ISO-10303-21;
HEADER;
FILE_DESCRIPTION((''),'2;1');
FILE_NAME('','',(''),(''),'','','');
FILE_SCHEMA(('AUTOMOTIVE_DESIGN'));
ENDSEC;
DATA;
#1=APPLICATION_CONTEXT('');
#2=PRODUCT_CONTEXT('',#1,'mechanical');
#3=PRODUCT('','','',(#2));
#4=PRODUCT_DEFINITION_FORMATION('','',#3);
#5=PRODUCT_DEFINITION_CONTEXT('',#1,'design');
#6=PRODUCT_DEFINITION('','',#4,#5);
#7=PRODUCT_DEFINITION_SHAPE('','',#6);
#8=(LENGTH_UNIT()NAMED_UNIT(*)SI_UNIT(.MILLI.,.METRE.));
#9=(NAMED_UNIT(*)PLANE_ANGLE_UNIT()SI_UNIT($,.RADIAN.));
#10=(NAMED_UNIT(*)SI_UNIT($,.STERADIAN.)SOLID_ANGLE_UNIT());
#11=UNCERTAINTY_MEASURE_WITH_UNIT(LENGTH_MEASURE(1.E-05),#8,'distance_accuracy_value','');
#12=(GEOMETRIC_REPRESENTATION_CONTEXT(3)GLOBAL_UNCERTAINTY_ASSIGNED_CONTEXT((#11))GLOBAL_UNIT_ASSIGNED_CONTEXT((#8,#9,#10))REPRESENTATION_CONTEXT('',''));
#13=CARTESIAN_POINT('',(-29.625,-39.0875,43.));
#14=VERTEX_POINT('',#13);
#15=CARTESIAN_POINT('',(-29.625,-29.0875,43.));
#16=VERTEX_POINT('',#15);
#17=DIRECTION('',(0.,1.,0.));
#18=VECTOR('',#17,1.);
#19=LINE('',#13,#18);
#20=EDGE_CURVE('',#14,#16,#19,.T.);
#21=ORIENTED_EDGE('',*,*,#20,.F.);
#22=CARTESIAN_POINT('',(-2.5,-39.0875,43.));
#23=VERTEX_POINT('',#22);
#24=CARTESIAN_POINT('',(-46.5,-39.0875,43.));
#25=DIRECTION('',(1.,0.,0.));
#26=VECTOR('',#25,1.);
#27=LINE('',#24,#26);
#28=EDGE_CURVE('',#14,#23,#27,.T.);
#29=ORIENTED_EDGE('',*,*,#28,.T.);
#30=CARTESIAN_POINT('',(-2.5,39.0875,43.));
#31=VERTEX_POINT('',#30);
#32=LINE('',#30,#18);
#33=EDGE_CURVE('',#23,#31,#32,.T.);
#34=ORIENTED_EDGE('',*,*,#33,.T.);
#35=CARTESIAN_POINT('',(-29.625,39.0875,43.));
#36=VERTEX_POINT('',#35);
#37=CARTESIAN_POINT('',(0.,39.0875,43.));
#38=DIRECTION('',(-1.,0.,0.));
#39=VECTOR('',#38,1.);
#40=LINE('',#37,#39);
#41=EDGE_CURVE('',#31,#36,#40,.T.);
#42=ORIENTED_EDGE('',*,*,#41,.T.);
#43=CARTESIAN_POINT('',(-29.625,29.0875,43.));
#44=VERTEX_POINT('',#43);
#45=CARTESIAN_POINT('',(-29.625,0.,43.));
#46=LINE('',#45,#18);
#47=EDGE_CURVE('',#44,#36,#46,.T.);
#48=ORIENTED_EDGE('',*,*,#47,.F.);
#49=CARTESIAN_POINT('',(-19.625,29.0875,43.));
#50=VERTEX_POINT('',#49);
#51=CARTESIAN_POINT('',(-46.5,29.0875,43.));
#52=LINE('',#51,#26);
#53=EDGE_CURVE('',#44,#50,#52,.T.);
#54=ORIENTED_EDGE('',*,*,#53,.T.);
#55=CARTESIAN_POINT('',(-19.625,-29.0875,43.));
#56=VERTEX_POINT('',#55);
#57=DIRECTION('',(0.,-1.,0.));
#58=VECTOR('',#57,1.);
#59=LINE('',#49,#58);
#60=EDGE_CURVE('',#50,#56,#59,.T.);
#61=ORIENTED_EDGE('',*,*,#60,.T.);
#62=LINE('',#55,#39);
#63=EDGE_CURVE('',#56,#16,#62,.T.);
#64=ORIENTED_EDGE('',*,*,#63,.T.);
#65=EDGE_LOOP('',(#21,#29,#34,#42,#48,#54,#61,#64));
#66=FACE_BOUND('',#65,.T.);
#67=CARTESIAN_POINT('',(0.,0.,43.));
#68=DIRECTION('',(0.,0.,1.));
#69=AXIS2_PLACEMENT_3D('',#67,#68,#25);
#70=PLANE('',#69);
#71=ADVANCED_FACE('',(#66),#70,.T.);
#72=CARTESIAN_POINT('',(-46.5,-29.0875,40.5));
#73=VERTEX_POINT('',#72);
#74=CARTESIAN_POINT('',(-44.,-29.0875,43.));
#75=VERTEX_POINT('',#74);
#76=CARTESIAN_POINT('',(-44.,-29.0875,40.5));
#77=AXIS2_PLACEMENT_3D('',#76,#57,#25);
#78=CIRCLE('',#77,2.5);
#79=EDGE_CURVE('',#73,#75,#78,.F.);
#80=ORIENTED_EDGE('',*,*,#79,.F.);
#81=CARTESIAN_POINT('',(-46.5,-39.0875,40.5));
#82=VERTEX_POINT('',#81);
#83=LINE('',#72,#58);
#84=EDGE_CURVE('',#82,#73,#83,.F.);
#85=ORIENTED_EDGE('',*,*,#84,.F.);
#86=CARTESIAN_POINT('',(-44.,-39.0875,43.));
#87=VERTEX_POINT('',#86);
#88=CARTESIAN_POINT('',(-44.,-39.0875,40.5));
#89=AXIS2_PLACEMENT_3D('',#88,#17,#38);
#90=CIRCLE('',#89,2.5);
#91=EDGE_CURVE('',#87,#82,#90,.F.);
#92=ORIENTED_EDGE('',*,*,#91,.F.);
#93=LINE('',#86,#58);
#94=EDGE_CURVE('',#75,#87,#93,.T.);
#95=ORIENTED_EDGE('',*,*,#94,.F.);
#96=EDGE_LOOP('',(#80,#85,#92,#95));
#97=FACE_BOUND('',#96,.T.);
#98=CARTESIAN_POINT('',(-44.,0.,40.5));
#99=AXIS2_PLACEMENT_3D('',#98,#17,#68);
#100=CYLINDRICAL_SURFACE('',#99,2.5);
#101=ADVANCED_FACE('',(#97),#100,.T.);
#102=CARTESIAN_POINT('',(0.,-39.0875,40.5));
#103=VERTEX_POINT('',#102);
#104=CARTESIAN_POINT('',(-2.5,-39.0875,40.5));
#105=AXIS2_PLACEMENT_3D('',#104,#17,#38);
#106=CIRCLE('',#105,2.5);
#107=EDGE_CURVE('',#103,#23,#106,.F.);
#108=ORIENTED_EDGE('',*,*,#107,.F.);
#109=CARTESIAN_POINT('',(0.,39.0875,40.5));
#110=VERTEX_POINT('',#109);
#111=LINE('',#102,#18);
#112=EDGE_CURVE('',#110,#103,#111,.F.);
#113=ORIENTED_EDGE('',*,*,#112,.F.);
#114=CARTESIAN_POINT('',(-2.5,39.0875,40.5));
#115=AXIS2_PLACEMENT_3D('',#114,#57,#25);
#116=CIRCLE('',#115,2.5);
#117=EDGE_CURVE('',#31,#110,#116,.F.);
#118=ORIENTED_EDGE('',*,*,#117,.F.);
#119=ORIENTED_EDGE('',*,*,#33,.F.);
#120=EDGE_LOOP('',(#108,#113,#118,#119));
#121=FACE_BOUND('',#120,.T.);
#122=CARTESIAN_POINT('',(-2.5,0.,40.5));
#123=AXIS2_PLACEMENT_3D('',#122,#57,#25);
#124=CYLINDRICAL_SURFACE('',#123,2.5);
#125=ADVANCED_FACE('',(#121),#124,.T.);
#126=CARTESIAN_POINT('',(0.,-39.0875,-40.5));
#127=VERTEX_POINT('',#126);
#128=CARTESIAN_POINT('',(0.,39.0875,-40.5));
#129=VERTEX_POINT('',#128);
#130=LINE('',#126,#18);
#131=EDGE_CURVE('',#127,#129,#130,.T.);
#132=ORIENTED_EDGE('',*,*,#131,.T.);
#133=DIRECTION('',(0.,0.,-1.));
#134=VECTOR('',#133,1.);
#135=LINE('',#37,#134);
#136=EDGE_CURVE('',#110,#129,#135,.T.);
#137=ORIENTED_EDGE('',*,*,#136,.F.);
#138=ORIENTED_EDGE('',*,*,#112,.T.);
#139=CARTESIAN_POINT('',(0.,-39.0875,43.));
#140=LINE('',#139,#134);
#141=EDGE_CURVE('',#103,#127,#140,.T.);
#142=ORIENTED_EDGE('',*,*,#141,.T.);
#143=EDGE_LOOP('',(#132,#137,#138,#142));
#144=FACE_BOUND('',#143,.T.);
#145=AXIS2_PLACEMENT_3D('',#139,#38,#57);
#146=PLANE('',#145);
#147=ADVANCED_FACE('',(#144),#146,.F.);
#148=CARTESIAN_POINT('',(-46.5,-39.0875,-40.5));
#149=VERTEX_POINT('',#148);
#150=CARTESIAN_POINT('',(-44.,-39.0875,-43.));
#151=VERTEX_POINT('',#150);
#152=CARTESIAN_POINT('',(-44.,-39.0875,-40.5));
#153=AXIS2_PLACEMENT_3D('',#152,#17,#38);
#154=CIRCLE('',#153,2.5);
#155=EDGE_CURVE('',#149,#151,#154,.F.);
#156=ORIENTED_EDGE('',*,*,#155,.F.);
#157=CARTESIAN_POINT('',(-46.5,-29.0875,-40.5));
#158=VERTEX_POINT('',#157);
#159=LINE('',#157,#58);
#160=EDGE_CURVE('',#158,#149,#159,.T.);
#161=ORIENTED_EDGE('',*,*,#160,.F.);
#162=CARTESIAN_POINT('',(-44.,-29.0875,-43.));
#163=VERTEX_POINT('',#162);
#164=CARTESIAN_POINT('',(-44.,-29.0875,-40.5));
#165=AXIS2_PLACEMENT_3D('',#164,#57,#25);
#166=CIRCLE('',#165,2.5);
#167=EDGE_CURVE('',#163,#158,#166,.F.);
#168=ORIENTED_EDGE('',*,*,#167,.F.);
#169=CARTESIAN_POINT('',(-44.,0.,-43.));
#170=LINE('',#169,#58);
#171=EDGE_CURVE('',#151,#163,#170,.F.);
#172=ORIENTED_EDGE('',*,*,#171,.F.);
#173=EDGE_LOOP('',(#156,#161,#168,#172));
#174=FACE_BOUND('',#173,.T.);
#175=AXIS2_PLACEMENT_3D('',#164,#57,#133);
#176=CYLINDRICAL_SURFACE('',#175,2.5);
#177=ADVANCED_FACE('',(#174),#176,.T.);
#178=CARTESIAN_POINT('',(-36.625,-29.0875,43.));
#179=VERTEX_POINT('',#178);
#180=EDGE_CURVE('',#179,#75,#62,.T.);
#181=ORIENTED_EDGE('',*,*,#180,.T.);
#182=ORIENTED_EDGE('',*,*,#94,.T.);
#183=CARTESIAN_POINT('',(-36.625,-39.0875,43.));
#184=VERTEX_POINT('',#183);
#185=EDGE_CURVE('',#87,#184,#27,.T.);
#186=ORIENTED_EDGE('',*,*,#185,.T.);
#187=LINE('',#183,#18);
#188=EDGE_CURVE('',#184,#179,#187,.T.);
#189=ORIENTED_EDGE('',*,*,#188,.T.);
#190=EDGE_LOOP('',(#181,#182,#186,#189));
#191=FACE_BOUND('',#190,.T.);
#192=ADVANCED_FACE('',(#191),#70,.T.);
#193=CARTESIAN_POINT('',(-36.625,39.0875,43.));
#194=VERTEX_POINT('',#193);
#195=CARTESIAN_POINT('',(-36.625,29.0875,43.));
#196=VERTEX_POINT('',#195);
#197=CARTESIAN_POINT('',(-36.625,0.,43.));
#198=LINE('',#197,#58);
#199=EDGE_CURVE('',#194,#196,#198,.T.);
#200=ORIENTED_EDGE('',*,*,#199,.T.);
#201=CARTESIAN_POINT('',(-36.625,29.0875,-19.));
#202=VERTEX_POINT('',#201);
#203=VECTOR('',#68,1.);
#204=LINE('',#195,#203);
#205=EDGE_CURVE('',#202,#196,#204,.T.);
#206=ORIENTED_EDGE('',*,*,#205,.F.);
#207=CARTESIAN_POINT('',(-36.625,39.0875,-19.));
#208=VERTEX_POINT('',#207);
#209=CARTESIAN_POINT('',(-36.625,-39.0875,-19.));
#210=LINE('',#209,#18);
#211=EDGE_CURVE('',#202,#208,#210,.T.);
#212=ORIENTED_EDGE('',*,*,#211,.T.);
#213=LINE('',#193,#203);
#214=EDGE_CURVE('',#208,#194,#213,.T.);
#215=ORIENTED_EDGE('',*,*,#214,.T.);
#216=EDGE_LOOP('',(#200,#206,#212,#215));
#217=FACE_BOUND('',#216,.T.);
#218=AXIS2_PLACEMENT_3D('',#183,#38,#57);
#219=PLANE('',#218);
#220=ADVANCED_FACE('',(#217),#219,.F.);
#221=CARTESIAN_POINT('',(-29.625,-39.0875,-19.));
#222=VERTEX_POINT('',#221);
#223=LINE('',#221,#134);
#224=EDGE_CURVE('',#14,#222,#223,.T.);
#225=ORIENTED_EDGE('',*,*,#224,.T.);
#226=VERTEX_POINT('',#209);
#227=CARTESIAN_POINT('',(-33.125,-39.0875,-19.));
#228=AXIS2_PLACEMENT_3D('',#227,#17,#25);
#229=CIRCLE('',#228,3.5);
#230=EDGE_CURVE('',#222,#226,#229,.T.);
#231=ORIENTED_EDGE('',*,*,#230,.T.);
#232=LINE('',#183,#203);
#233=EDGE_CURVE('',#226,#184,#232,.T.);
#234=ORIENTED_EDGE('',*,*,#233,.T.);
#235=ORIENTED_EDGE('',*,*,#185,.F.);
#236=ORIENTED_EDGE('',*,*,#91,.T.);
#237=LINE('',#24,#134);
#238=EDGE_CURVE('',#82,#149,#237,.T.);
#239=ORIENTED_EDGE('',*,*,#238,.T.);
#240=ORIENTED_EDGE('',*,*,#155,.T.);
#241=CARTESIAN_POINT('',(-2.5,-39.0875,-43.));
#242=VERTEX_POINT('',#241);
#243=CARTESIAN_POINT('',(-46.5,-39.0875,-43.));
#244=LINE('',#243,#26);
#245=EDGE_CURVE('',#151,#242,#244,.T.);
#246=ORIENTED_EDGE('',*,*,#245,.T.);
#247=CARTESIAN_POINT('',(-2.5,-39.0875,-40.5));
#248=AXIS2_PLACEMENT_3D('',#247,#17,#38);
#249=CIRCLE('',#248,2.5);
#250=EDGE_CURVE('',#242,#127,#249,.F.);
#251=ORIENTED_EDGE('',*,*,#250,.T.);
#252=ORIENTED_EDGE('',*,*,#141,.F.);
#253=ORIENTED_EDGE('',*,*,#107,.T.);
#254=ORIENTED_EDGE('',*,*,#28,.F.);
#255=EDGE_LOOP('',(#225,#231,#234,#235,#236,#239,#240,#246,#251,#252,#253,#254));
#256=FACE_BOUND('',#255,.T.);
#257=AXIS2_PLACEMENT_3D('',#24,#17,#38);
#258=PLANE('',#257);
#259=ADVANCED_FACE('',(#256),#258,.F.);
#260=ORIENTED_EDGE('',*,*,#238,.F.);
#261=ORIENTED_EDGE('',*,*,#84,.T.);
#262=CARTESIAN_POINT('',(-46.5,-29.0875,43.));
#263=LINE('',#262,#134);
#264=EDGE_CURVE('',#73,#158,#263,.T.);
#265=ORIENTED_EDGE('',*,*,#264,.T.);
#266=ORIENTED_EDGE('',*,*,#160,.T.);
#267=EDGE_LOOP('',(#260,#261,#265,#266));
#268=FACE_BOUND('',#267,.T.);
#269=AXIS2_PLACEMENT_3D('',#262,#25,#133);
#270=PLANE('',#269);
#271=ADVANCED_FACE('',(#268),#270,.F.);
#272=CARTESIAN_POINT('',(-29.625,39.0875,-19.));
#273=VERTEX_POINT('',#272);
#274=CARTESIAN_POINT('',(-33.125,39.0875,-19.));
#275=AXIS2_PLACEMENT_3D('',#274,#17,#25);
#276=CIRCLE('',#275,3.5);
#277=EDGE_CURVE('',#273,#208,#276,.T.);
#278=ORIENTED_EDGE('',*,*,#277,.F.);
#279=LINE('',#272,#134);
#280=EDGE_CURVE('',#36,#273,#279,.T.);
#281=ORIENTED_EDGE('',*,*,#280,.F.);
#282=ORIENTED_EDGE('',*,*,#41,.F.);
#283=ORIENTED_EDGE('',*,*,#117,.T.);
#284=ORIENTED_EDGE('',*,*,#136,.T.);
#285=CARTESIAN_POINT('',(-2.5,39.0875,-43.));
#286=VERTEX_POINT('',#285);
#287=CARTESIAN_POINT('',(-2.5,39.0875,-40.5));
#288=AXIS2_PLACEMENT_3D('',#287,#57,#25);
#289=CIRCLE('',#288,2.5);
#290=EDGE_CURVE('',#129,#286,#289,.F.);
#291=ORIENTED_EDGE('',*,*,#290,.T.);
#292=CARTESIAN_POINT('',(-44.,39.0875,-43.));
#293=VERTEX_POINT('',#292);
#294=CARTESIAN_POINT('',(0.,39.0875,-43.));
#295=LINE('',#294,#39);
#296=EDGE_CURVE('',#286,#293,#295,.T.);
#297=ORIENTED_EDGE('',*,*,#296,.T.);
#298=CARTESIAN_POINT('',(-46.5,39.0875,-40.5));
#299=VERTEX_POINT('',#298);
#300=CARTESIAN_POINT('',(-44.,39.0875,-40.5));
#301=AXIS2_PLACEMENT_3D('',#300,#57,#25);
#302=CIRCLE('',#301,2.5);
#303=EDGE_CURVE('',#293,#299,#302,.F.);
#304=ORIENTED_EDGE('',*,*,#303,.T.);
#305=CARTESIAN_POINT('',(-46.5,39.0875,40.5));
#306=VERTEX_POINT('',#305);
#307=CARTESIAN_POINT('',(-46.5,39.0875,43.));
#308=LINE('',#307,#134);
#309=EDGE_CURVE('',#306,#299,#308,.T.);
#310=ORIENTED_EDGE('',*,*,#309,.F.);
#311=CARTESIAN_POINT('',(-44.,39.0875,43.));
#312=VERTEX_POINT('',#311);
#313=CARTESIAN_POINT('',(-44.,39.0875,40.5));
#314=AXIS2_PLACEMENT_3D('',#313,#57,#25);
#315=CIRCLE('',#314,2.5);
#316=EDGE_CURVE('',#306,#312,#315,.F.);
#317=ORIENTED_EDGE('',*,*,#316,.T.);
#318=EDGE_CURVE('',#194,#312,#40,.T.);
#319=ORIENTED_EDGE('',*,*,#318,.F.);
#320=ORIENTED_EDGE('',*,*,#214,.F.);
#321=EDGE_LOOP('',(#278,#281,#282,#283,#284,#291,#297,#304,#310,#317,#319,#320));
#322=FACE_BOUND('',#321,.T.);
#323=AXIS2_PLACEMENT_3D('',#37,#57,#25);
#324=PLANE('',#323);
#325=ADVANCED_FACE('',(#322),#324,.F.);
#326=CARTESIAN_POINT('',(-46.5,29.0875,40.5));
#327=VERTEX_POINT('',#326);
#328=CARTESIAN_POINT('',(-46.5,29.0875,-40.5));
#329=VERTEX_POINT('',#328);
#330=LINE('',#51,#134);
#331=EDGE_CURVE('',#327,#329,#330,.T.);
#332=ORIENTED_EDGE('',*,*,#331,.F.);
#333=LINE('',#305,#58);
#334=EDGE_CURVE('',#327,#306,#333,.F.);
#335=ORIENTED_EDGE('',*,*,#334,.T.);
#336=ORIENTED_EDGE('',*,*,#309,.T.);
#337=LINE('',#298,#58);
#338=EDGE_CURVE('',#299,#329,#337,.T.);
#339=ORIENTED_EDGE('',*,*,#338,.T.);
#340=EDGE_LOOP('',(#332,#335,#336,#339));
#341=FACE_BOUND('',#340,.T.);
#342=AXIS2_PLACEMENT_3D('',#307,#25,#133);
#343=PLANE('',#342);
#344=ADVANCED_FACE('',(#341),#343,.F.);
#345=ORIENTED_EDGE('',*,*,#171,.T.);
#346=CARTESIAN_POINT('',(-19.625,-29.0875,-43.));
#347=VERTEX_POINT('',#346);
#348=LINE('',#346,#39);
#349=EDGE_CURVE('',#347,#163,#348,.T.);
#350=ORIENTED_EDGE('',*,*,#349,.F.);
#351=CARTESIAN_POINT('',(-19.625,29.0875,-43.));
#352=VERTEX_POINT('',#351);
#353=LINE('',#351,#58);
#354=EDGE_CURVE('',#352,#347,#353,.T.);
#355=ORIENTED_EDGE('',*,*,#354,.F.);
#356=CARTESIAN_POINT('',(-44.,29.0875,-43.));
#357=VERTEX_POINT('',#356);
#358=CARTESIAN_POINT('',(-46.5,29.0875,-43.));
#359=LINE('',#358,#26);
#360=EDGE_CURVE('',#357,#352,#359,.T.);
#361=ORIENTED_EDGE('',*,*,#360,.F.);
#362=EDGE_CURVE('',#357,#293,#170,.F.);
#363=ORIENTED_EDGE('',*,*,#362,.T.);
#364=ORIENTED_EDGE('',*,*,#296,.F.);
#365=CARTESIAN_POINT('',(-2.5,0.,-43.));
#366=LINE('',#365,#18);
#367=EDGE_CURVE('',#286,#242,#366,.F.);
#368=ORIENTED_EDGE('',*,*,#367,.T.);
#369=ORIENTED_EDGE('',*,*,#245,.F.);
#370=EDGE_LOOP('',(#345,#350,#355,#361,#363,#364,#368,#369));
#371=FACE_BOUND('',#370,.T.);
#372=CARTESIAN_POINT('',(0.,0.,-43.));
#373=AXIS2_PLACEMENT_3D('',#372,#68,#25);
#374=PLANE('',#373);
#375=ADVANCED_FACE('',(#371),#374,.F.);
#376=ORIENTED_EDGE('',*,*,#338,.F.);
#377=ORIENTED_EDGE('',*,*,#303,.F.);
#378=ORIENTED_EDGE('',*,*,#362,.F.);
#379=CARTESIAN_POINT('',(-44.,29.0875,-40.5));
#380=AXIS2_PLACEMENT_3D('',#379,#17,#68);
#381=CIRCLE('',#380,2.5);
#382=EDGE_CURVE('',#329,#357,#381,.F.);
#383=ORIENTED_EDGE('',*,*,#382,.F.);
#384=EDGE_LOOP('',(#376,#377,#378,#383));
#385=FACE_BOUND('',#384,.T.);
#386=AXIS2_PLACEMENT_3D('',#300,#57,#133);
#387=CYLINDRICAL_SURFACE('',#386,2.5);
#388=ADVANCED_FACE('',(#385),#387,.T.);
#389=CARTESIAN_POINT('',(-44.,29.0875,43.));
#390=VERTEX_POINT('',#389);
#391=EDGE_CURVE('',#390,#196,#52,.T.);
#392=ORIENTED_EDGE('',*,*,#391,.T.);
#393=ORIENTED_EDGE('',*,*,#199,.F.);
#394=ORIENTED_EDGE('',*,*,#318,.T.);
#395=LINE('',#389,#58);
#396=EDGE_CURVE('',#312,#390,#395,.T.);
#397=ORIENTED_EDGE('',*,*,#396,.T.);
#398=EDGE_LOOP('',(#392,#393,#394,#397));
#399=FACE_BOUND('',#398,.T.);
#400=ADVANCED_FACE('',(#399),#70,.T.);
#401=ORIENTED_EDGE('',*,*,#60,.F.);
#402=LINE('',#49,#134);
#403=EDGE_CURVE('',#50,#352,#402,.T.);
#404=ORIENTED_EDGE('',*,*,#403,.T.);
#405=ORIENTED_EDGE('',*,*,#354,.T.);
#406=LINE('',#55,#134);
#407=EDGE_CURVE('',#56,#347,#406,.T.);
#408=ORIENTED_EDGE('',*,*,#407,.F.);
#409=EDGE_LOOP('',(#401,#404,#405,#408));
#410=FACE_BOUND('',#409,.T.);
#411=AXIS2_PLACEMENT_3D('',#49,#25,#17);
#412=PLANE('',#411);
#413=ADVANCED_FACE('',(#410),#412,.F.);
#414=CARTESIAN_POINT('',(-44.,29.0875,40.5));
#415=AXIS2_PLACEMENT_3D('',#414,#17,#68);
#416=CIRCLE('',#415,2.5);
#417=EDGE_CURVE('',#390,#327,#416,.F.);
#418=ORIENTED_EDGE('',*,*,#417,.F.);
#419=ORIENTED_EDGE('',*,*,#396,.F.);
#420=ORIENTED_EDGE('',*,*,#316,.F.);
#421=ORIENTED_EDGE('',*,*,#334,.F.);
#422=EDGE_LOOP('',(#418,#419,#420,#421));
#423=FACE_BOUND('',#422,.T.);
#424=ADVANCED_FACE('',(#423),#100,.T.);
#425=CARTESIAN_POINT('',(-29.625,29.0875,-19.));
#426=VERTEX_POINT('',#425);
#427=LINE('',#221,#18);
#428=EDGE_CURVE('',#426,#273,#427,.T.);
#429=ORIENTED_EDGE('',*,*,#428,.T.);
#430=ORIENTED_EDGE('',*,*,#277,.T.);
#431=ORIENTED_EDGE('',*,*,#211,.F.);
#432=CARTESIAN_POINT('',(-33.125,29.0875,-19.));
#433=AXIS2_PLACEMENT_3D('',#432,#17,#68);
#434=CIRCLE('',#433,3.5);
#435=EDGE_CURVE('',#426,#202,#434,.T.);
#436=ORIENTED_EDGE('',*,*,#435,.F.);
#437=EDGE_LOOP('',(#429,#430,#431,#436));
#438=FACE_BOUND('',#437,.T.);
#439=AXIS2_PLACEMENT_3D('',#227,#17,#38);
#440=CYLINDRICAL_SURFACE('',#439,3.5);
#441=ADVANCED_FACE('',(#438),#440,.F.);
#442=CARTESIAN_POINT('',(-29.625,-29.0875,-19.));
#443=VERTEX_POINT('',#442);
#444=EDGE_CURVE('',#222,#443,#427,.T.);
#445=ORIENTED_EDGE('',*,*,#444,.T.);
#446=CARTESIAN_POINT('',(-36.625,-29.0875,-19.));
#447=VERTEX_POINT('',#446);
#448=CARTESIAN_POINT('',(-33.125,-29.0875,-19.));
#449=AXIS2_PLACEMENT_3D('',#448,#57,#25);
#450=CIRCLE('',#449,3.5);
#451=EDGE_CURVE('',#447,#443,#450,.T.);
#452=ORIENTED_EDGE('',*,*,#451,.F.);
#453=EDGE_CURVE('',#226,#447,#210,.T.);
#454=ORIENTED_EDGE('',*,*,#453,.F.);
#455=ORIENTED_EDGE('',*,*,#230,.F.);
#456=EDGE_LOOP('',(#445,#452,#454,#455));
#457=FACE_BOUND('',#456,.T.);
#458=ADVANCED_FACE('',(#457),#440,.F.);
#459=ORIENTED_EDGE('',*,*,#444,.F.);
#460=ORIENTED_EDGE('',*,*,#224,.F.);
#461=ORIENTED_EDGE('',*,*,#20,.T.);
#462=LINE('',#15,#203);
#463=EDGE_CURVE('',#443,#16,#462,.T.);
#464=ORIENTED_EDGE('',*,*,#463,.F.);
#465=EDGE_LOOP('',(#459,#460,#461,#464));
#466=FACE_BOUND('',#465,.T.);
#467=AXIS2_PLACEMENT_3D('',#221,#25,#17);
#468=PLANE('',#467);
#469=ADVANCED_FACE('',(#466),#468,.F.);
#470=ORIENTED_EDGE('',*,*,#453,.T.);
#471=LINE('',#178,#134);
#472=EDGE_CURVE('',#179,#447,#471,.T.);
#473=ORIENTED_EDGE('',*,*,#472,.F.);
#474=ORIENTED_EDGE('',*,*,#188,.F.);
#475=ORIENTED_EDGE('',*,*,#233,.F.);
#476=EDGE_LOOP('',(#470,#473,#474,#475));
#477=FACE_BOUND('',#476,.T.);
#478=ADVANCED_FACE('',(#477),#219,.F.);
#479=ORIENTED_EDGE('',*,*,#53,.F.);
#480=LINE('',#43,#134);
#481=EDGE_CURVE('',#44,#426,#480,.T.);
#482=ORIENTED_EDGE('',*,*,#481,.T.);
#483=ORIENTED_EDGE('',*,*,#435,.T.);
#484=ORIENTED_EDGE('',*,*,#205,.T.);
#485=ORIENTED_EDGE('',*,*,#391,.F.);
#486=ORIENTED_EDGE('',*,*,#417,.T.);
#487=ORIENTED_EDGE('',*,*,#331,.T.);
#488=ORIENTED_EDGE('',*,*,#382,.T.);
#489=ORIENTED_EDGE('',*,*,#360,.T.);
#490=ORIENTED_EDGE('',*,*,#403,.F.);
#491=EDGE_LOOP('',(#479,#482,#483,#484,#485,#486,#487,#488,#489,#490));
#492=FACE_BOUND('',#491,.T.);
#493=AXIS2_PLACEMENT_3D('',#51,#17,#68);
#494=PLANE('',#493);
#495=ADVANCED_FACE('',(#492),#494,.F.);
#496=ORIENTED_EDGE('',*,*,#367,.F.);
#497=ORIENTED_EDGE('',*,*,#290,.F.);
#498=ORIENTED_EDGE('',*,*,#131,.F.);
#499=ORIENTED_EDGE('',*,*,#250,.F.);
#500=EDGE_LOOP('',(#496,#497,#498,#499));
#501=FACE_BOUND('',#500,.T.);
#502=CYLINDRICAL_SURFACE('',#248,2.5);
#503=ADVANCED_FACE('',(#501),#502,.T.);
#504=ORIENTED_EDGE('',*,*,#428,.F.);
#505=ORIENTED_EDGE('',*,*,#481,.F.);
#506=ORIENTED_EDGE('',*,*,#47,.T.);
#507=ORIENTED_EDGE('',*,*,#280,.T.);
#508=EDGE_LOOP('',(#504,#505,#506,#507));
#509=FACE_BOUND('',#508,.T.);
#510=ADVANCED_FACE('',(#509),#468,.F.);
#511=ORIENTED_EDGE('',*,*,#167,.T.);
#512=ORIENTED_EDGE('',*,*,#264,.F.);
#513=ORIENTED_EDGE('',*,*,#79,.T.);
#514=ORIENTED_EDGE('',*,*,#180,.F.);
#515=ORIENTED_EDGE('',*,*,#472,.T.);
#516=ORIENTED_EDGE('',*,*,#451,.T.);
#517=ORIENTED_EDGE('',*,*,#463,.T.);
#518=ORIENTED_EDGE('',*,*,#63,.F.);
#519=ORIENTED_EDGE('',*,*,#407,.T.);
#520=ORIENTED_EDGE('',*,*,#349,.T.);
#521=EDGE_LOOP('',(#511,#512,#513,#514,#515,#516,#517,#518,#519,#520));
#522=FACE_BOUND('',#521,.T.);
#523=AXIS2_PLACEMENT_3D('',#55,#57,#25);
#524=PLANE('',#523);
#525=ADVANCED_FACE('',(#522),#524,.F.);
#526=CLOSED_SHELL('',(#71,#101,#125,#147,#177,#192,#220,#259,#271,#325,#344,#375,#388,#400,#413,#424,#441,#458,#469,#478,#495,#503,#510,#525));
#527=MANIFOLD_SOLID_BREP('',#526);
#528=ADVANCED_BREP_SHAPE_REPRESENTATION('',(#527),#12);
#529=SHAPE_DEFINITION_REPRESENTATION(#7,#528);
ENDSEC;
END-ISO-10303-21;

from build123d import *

# Parameters (mm, degrees)
BOSS_EXTRUDE1_DEPTH = 43
CUT_EXTRUDE2_DEPTH  = 101.611036298
FILLET1_R           = 2.5


with BuildPart() as part:
    # Sketch1 → Boss-Extrude1 (new, symmetric)
    with BuildSketch(Plane.XY):
        Polygon((-46.5, 39.0875), (-46.5, 29.0875), (-19.625, 29.0875), (-19.625, -29.0875), (-46.5, -29.0875), (-46.5, -39.0875), (0, -39.0875), (0, 39.0875), align=None)
    extrude(amount=BOSS_EXTRUDE1_DEPTH, both=True)

    # Sketch2 → Cut-Extrude2 (cut, through all)
    with BuildSketch(Plane(origin=(0, 39.0875, 0), x_dir=(1, 0, 0), z_dir=(0, 1, 0))):
        with BuildLine():
            Line((-36.625, -43), (-36.625, 19))
            ThreePointArc((-36.625, 19), (-33.125, 22.5), (-29.625, 19))
            Line((-29.625, 19), (-29.625, -43))
            Line((-29.625, -43), (-36.625, -43))
        make_face()
    extrude(amount=-CUT_EXTRUDE2_DEPTH, mode=Mode.SUBTRACT)

    # Fillet1
    fillet1_edges = [part.edges().sort_by_distance(p)[0] for p in [
        (-46.5, 34.0875, -43),
        (-46.5, -34.0875, 43),
        (0, 0, 43),
        (0, 0, -43),
        (-46.5, 34.0875, 43),
        (-46.5, -34.0875, -43),
    ]]
    fillet(fillet1_edges, radius=FILLET1_R)


solid = part.part
